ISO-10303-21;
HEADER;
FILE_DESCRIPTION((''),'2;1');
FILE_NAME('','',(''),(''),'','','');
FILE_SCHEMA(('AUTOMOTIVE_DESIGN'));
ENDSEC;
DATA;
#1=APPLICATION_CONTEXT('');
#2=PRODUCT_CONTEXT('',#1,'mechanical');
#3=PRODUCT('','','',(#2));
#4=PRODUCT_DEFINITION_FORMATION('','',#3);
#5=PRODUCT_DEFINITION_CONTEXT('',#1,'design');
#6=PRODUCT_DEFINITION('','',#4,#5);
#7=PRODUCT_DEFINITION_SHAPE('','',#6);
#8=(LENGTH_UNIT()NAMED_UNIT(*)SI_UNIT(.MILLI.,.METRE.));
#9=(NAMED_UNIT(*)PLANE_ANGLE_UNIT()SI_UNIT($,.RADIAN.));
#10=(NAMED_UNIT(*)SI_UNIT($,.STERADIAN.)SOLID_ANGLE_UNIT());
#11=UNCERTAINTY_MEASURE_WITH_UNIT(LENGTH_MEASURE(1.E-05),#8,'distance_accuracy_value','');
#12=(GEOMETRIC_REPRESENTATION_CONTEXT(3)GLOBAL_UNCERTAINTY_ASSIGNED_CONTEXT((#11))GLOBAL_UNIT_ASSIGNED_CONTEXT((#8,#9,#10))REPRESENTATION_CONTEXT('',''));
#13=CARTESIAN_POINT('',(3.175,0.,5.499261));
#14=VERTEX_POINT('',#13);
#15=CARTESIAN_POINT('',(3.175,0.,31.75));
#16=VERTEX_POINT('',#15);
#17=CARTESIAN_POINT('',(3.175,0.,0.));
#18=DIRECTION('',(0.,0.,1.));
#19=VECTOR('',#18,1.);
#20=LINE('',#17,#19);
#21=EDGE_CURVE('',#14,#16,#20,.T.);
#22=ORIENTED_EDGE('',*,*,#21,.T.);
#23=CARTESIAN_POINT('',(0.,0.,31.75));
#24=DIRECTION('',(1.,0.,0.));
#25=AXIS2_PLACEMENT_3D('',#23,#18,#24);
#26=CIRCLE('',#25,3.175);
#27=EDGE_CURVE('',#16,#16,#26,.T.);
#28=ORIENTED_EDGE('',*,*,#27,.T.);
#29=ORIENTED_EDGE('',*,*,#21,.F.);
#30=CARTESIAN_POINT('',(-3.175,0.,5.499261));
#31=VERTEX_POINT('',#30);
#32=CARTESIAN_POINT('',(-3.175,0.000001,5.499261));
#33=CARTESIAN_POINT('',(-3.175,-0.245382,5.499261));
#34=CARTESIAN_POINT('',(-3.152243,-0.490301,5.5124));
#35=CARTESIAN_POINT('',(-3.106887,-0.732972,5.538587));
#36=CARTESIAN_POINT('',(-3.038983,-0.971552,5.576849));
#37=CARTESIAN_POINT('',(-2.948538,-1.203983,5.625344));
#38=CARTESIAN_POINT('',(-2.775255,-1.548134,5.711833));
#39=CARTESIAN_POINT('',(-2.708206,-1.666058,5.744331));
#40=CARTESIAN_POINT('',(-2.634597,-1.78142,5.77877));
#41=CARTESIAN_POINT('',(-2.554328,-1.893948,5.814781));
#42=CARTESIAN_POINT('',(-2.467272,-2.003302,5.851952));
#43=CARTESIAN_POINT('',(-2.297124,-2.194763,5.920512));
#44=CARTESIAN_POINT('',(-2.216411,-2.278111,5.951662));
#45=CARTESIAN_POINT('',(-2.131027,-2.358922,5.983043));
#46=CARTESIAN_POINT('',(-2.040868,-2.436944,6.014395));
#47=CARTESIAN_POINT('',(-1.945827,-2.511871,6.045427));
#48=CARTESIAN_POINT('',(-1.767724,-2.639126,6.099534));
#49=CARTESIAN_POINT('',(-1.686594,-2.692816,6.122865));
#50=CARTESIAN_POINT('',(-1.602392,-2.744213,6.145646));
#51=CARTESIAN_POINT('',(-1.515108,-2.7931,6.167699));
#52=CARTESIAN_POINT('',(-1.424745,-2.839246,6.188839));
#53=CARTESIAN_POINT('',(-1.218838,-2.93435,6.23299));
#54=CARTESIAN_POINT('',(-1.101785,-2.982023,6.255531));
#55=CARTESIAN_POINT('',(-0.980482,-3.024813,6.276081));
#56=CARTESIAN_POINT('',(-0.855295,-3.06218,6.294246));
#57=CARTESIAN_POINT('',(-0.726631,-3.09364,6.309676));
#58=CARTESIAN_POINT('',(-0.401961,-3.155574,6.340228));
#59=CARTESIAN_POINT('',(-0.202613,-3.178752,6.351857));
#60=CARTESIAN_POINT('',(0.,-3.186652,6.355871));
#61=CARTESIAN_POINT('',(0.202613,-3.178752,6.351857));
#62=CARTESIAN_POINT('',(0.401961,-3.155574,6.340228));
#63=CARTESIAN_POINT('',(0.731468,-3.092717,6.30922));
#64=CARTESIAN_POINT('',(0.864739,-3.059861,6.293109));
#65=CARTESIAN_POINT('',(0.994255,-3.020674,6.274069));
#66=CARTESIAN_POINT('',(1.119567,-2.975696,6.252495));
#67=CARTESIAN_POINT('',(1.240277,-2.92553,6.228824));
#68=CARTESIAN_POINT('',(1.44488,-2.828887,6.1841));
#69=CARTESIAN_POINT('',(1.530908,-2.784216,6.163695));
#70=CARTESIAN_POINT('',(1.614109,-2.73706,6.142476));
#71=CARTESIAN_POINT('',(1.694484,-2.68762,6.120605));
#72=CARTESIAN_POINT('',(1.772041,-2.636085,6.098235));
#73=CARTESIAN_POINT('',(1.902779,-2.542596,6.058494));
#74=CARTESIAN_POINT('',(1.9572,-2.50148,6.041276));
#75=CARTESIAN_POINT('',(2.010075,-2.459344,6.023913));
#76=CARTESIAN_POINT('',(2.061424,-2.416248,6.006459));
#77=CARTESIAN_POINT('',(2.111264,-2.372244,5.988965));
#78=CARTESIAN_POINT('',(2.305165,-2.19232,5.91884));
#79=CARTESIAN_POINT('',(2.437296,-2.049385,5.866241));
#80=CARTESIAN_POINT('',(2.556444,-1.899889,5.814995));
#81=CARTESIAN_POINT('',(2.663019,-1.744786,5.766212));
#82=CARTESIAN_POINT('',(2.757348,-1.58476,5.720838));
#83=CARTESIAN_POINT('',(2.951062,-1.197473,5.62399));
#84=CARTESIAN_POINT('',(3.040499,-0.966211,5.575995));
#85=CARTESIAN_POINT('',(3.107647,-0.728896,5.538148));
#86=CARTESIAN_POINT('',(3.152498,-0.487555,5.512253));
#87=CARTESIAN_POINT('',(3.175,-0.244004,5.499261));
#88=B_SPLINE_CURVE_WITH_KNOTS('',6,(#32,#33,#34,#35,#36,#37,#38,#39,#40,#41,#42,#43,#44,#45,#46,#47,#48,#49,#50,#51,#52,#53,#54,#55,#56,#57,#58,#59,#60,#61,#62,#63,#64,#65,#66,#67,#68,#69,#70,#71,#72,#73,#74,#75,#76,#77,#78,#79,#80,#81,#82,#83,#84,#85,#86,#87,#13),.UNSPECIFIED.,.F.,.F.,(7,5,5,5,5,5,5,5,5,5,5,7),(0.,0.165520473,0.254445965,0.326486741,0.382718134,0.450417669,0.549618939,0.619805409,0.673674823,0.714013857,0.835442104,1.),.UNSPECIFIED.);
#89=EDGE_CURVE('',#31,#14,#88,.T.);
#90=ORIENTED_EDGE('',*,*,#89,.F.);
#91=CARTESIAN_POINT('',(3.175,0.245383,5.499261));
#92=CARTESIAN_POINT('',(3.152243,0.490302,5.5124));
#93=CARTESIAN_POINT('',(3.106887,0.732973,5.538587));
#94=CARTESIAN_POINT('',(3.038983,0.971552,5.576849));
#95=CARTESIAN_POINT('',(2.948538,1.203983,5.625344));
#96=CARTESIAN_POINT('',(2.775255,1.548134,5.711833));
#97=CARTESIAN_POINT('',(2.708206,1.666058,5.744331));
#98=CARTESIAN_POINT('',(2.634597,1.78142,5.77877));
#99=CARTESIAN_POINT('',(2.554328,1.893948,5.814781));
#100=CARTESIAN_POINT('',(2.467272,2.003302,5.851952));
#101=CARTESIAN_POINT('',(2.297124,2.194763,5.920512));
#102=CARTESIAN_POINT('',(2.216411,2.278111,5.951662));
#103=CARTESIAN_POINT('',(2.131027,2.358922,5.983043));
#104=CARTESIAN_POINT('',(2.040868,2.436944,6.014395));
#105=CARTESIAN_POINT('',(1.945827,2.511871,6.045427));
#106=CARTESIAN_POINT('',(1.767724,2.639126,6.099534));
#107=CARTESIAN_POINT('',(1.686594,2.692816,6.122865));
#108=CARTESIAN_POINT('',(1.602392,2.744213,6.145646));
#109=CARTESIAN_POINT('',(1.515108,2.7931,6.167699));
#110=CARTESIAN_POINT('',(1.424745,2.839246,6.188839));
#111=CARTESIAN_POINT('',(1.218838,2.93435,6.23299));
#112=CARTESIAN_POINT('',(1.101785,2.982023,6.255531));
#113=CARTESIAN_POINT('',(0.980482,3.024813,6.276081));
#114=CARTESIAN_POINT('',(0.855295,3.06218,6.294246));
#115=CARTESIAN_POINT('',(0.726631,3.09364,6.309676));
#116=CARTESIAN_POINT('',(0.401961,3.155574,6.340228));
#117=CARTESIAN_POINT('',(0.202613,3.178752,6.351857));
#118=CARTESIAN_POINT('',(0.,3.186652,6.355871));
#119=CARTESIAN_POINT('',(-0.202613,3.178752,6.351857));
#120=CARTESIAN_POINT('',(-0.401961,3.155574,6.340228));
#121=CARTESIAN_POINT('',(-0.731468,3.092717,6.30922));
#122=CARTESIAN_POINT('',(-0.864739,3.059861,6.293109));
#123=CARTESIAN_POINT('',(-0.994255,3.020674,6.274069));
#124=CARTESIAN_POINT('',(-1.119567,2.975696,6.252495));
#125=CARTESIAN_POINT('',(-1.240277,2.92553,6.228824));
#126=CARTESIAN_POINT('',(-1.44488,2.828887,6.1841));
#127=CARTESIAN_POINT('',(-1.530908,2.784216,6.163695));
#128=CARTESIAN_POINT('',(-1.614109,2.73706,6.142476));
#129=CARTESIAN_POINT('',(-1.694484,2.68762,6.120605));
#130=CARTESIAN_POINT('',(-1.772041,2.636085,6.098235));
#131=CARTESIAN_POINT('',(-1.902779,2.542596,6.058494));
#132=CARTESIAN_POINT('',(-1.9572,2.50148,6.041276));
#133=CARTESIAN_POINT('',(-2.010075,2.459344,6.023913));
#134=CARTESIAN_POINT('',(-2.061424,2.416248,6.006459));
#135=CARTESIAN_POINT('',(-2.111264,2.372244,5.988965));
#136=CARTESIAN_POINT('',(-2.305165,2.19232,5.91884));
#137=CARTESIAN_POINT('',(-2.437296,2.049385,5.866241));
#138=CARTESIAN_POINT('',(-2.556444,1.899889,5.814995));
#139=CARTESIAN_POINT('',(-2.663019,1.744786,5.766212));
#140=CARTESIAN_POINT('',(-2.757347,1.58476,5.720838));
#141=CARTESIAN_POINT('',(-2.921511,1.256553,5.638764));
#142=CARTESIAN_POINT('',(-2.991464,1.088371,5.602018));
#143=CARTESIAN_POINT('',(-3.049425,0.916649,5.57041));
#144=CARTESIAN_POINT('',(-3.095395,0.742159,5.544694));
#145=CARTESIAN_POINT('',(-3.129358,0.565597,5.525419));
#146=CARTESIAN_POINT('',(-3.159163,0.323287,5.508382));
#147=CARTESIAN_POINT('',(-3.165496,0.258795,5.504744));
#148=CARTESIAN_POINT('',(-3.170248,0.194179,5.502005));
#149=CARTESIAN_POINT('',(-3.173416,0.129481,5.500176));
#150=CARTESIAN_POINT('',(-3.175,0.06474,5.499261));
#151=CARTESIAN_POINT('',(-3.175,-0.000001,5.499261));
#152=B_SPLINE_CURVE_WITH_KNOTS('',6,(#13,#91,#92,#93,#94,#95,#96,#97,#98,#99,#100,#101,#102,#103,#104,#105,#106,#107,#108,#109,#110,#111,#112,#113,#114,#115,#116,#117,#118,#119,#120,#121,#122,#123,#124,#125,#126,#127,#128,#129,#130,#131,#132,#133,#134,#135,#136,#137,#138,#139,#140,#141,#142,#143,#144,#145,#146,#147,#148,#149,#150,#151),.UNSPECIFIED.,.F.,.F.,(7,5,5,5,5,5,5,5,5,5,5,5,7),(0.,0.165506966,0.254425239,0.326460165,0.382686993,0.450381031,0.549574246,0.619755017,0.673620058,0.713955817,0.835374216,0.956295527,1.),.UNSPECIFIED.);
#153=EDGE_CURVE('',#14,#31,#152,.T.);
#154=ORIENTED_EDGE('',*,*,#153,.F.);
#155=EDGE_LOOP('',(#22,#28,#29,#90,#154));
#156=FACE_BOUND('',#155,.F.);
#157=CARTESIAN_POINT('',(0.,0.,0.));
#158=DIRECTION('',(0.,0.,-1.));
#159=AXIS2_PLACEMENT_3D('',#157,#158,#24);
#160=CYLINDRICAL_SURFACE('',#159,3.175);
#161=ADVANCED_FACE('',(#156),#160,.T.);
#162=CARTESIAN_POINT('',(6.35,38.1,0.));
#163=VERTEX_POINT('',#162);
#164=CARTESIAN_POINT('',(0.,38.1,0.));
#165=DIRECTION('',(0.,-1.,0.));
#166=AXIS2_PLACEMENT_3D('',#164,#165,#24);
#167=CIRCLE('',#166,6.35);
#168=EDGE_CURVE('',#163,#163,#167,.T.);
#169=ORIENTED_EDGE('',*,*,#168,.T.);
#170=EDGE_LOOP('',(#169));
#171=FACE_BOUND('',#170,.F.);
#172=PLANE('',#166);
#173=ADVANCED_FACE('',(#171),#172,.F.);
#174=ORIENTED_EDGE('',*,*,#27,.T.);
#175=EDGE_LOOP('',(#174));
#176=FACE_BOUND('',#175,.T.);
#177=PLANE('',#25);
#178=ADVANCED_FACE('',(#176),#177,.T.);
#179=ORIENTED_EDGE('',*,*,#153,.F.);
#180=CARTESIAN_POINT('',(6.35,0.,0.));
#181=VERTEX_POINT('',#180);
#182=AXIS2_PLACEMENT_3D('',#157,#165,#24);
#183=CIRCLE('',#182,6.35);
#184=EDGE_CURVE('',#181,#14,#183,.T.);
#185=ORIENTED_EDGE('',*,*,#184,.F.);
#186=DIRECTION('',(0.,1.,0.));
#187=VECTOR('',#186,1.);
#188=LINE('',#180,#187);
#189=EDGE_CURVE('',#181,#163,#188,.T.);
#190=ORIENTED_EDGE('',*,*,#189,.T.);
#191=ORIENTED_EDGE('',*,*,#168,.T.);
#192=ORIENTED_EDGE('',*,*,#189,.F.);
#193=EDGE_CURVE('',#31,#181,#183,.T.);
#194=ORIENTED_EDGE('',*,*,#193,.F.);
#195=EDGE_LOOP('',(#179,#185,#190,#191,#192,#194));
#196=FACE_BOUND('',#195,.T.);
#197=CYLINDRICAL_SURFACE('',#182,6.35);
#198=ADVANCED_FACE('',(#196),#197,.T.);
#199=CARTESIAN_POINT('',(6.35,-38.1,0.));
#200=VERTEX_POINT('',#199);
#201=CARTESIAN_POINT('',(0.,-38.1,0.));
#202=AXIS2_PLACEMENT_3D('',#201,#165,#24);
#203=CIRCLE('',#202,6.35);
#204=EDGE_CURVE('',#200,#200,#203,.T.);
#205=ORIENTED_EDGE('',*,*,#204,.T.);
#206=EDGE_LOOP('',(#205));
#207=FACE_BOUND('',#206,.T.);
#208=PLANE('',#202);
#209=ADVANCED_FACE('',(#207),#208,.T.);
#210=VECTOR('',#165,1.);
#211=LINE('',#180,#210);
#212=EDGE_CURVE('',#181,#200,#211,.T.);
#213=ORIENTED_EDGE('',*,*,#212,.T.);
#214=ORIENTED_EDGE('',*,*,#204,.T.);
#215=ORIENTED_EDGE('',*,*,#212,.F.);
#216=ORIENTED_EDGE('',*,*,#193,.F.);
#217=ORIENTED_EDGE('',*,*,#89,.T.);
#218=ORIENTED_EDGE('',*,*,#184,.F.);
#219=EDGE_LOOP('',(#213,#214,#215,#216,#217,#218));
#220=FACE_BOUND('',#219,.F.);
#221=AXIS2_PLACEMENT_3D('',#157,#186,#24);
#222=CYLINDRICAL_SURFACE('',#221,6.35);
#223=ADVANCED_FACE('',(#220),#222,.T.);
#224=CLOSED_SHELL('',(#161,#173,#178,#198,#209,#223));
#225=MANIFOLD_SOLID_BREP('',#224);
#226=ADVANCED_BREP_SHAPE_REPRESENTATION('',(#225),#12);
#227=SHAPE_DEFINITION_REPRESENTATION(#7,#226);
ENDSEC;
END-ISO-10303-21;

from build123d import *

# Parameters (mm, degrees)
F1_R     = 3.175
F2_DEPTH = 31.75
F0_R     = 6.35
F3_DEPTH = 38.1
F4_DEPTH = 38.1


with BuildPart() as f2:
    # F1 (on Top) → F2 (new body)
    with BuildSketch(Plane.XY):
        Circle(F1_R)
    extrude(amount=F2_DEPTH)

    # F0 (on Front) → F3 (join)
    with BuildSketch(Plane.XZ):
        Circle(F0_R)
    extrude(amount=F3_DEPTH)

    # F0 (on Front) → F4 (join)
    with BuildSketch(Plane.XZ):
        Circle(F0_R)
    extrude(amount=-F4_DEPTH)


solid = f2.part
